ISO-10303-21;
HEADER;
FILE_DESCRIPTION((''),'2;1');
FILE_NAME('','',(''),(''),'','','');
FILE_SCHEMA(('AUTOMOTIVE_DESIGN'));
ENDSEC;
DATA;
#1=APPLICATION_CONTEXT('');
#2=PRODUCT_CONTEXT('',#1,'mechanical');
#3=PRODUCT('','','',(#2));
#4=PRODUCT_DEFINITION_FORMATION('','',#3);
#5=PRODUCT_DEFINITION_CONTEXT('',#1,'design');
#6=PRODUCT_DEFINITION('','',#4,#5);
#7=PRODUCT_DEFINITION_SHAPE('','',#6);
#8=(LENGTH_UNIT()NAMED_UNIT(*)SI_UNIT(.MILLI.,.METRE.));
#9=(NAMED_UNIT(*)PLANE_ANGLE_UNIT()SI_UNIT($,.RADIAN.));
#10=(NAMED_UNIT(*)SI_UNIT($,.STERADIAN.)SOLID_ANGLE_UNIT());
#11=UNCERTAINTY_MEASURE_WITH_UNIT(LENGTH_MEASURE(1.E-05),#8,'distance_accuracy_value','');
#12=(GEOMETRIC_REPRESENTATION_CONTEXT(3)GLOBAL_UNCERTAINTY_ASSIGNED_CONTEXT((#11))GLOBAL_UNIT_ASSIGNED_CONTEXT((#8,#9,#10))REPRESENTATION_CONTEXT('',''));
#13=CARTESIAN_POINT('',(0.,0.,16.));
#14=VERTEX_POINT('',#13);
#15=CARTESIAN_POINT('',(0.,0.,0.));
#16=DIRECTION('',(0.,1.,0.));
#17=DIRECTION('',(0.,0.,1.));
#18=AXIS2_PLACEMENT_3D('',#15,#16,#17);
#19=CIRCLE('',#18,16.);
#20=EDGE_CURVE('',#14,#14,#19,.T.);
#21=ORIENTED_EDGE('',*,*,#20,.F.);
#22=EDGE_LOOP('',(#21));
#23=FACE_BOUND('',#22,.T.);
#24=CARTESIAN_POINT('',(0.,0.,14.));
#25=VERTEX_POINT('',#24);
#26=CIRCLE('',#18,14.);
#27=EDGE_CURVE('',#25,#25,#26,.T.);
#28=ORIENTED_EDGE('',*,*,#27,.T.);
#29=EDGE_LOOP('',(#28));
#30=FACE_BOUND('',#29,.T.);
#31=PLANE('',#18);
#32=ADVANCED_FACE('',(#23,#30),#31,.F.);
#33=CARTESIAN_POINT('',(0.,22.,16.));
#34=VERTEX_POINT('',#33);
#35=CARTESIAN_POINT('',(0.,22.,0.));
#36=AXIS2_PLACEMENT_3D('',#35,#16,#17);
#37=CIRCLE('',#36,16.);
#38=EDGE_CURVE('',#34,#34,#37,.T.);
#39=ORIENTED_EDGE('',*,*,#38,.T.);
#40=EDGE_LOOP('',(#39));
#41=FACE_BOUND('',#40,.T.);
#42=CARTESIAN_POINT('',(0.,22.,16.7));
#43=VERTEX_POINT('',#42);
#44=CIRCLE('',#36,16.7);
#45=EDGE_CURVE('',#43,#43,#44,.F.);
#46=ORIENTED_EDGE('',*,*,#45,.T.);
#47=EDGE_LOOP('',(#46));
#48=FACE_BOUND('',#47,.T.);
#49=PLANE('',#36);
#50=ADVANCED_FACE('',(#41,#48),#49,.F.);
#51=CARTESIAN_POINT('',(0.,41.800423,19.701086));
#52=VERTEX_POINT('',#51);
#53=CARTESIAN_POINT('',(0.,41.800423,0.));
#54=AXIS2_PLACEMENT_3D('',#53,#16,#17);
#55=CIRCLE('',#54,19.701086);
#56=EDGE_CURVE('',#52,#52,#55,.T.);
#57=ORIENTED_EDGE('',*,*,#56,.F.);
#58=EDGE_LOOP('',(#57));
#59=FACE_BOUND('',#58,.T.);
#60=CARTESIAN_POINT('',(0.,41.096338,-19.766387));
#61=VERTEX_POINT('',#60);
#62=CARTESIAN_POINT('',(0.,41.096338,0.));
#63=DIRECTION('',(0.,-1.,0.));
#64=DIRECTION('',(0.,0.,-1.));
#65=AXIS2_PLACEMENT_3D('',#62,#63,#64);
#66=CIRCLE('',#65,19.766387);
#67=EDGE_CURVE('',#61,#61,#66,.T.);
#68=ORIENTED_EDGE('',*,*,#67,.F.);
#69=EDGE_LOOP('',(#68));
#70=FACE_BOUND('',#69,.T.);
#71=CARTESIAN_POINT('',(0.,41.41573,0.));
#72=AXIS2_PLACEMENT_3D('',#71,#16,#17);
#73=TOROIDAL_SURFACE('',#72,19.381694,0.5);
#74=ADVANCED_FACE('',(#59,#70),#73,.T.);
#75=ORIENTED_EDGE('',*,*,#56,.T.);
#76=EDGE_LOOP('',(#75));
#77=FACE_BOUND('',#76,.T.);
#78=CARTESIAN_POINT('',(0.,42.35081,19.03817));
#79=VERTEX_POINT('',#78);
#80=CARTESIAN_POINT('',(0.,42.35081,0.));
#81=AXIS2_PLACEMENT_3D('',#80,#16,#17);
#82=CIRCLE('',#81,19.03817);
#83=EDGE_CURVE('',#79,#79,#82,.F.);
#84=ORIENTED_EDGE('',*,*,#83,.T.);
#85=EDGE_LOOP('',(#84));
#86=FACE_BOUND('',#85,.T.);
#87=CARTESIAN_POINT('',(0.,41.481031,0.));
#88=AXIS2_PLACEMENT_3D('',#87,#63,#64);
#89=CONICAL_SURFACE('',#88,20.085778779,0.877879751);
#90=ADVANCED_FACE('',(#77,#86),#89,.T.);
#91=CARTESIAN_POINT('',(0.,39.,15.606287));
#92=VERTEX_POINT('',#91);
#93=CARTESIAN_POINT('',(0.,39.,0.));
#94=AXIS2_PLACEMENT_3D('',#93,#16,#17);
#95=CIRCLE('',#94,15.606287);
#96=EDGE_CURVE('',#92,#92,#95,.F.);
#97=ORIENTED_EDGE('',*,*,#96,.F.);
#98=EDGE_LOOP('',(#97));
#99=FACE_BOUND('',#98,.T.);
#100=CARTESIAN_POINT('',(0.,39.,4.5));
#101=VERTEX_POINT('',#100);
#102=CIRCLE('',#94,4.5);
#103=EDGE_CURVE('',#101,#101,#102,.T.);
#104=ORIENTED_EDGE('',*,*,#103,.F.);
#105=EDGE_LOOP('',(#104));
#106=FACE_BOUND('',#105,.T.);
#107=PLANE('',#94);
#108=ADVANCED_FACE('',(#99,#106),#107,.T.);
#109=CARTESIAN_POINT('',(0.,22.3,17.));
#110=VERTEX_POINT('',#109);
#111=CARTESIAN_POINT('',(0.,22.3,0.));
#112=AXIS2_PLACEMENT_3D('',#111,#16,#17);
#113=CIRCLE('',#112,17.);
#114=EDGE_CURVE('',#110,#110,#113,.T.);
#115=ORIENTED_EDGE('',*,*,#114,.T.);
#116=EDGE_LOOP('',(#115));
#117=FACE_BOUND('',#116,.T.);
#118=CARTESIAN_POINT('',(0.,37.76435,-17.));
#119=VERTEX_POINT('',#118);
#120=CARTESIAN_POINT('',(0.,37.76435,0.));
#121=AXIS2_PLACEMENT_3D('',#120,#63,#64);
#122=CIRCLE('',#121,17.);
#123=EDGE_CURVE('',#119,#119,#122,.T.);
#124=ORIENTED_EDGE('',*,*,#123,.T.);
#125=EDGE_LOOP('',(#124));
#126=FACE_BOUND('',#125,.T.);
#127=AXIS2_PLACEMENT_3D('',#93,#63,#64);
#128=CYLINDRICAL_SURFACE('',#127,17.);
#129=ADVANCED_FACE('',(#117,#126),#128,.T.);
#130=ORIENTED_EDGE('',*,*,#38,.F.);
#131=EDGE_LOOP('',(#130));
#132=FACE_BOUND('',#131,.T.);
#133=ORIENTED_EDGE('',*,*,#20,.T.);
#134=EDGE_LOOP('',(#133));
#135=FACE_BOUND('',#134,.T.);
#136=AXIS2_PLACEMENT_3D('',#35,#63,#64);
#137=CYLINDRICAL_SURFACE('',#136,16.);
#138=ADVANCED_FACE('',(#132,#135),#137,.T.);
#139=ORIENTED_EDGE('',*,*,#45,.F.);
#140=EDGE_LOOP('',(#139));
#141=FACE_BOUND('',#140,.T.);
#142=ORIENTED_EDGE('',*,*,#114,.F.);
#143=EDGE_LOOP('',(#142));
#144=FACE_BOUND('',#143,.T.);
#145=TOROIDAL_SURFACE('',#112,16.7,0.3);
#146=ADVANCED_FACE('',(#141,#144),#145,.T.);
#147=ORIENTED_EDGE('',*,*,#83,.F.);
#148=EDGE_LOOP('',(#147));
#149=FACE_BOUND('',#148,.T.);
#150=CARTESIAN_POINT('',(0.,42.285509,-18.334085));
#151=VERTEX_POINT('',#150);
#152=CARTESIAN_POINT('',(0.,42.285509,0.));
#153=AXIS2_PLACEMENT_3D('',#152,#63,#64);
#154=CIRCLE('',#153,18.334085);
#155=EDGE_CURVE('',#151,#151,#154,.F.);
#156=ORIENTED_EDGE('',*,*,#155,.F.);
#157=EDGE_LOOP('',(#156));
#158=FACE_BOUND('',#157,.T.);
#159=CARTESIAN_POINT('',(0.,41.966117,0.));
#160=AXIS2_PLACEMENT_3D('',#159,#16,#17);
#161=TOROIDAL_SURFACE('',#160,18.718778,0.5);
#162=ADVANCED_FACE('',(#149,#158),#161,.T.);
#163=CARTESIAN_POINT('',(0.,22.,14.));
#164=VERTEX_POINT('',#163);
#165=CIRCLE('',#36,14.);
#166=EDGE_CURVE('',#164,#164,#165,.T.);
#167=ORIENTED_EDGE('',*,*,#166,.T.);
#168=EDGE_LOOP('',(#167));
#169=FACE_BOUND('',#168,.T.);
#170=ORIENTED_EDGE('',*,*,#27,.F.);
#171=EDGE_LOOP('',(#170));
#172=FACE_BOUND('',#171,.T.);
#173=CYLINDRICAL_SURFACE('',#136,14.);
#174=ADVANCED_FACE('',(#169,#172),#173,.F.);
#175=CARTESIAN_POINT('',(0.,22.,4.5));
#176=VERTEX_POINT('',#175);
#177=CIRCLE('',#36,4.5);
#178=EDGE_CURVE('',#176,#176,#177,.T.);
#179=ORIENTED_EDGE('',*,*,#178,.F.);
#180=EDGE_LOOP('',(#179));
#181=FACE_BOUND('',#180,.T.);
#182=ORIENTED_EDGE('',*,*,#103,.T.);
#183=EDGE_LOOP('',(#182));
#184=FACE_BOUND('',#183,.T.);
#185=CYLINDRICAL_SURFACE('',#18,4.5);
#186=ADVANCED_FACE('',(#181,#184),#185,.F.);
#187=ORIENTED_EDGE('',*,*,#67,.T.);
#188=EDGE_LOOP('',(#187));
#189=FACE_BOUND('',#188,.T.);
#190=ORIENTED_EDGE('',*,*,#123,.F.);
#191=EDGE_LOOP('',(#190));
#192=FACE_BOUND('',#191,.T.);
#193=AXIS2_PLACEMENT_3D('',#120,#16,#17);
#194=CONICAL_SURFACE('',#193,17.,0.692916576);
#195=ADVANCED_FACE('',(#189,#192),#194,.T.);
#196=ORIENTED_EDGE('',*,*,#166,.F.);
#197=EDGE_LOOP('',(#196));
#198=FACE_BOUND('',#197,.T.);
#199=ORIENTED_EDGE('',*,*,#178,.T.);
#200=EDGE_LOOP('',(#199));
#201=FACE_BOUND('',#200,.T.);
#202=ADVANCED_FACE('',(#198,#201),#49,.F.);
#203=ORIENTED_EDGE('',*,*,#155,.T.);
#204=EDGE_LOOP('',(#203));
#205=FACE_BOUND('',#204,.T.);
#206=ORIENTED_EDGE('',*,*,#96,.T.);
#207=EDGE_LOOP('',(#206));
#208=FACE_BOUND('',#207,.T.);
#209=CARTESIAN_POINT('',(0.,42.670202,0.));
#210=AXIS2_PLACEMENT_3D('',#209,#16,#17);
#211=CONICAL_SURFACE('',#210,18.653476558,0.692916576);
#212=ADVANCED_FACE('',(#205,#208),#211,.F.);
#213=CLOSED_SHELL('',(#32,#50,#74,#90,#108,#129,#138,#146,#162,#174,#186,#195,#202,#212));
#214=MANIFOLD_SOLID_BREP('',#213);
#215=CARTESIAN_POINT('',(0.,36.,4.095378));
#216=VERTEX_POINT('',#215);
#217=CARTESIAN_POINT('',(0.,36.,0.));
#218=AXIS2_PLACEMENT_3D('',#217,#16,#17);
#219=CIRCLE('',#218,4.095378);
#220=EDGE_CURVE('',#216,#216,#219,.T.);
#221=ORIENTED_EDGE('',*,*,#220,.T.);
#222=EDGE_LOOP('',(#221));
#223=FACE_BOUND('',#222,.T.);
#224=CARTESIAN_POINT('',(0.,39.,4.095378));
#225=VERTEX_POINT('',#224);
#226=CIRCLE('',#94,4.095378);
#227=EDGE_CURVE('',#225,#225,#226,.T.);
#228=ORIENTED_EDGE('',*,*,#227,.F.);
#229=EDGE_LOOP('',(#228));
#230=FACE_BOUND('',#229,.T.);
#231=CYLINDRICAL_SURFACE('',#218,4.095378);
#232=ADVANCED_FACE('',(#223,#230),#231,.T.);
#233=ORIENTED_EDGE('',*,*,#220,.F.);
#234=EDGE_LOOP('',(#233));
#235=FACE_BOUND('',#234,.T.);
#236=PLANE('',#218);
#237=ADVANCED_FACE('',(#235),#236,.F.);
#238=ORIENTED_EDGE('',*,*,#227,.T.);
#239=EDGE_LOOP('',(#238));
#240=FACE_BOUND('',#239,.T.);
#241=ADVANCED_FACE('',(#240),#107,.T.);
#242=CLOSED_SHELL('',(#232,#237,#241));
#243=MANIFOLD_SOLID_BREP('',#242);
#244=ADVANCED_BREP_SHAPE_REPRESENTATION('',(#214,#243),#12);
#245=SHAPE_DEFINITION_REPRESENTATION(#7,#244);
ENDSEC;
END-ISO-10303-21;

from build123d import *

# Parameters (mm, degrees)
ESBO_O1_R                = 16
ESBO_O1_R_2              = 14
RESSALTO_EXTRUS_O1_DEPTH = 22
ESBO_O2_R                = 17
RESSALTO_EXTRUS_O2_DEPTH = 17
ESBO_O3_R                = 4.5
CORTE_EXTRUS_O1_DEPTH    = 46.814844756
FILETE1_R                = 0.3
ESBO_O4_R                = 4.095378156
RESSALTO_EXTRUS_O3_DEPTH = 3
FILETE2_R                = 0.5


with BuildPart() as part:
    # Esboço1 → Ressalto-extrusão1 (new body)
    with BuildSketch(Plane(origin=(0, 0, 0), x_dir=(1, 0, 0), z_dir=(0, 1, 0))):
        with Locations(Location((0, 0, 0), (0, 0, 270))):
            Circle(ESBO_O1_R)
        with Locations(Location((0, 0, 0), (0, 0, 270))):
            Circle(ESBO_O1_R_2, mode=Mode.SUBTRACT)
    extrude(amount=RESSALTO_EXTRUS_O1_DEPTH)

    # Esboço2 → Ressalto-extrusão2 (add)
    with BuildSketch(Plane(origin=(0, 22, 0), x_dir=(1, 0, 0), z_dir=(0, 1, 0))):
        with Locations(Location((0, 0, 0), (0, 0, 270))):
            Circle(ESBO_O2_R)
    extrude(amount=RESSALTO_EXTRUS_O2_DEPTH)

    # Esboço3 → Corte-extrusão1 (cut, through all)
    with BuildSketch(Plane(origin=(0, 39, 0), x_dir=(1, 0, 0), z_dir=(0, 1, 0))):
        with Locations(Location((0, 0, 0), (0, 0, 270))):
            Circle(ESBO_O3_R)
    extrude(amount=-CORTE_EXTRUS_O1_DEPTH, mode=Mode.SUBTRACT)

    # Filete1
    filete1_edges = [part.edges().sort_by_distance(p)[0] for p in [
        (0, 39, -17),
        (0, 22, -17),
    ]]
    fillet(filete1_edges, radius=FILETE1_R)

    # Esboço5 → Revolução1 (revolve)
    with BuildSketch(Plane.XY, mode=Mode.PRIVATE) as revolu_o1_sk:
        Polygon((15.606287028, 39), (18.653476558, 42.670201729), (20.085778779, 41.481031037), (17, 37.764350306), align=None)
    revolve(revolu_o1_sk.sketch.rotate(Axis((0, 39, 0), (0, 1, 0)), 90), axis=Axis((0, 39, 0), (0, 1, 0)))

    # Filete2
    filete2_edges = [part.edges().sort_by_distance(p)[0] for p in [
        (0, 42.670201729, 18.653476558),
        (0, 41.481031037, 20.085778779),
    ]]
    fillet(filete2_edges, radius=FILETE2_R)


with BuildPart() as body_2:
    # Esboço4 → Ressalto-extrusão3 (new body)
    with BuildSketch(Plane(origin=(0, 39, 0), x_dir=(1, 0, 0), z_dir=(0, 1, 0))):
        with Locations(Location((0, 0, 0), (0, 0, 270))):
            Circle(ESBO_O4_R)
    extrude(amount=-RESSALTO_EXTRUS_O3_DEPTH)


solid = Compound([part.part, body_2.part])
